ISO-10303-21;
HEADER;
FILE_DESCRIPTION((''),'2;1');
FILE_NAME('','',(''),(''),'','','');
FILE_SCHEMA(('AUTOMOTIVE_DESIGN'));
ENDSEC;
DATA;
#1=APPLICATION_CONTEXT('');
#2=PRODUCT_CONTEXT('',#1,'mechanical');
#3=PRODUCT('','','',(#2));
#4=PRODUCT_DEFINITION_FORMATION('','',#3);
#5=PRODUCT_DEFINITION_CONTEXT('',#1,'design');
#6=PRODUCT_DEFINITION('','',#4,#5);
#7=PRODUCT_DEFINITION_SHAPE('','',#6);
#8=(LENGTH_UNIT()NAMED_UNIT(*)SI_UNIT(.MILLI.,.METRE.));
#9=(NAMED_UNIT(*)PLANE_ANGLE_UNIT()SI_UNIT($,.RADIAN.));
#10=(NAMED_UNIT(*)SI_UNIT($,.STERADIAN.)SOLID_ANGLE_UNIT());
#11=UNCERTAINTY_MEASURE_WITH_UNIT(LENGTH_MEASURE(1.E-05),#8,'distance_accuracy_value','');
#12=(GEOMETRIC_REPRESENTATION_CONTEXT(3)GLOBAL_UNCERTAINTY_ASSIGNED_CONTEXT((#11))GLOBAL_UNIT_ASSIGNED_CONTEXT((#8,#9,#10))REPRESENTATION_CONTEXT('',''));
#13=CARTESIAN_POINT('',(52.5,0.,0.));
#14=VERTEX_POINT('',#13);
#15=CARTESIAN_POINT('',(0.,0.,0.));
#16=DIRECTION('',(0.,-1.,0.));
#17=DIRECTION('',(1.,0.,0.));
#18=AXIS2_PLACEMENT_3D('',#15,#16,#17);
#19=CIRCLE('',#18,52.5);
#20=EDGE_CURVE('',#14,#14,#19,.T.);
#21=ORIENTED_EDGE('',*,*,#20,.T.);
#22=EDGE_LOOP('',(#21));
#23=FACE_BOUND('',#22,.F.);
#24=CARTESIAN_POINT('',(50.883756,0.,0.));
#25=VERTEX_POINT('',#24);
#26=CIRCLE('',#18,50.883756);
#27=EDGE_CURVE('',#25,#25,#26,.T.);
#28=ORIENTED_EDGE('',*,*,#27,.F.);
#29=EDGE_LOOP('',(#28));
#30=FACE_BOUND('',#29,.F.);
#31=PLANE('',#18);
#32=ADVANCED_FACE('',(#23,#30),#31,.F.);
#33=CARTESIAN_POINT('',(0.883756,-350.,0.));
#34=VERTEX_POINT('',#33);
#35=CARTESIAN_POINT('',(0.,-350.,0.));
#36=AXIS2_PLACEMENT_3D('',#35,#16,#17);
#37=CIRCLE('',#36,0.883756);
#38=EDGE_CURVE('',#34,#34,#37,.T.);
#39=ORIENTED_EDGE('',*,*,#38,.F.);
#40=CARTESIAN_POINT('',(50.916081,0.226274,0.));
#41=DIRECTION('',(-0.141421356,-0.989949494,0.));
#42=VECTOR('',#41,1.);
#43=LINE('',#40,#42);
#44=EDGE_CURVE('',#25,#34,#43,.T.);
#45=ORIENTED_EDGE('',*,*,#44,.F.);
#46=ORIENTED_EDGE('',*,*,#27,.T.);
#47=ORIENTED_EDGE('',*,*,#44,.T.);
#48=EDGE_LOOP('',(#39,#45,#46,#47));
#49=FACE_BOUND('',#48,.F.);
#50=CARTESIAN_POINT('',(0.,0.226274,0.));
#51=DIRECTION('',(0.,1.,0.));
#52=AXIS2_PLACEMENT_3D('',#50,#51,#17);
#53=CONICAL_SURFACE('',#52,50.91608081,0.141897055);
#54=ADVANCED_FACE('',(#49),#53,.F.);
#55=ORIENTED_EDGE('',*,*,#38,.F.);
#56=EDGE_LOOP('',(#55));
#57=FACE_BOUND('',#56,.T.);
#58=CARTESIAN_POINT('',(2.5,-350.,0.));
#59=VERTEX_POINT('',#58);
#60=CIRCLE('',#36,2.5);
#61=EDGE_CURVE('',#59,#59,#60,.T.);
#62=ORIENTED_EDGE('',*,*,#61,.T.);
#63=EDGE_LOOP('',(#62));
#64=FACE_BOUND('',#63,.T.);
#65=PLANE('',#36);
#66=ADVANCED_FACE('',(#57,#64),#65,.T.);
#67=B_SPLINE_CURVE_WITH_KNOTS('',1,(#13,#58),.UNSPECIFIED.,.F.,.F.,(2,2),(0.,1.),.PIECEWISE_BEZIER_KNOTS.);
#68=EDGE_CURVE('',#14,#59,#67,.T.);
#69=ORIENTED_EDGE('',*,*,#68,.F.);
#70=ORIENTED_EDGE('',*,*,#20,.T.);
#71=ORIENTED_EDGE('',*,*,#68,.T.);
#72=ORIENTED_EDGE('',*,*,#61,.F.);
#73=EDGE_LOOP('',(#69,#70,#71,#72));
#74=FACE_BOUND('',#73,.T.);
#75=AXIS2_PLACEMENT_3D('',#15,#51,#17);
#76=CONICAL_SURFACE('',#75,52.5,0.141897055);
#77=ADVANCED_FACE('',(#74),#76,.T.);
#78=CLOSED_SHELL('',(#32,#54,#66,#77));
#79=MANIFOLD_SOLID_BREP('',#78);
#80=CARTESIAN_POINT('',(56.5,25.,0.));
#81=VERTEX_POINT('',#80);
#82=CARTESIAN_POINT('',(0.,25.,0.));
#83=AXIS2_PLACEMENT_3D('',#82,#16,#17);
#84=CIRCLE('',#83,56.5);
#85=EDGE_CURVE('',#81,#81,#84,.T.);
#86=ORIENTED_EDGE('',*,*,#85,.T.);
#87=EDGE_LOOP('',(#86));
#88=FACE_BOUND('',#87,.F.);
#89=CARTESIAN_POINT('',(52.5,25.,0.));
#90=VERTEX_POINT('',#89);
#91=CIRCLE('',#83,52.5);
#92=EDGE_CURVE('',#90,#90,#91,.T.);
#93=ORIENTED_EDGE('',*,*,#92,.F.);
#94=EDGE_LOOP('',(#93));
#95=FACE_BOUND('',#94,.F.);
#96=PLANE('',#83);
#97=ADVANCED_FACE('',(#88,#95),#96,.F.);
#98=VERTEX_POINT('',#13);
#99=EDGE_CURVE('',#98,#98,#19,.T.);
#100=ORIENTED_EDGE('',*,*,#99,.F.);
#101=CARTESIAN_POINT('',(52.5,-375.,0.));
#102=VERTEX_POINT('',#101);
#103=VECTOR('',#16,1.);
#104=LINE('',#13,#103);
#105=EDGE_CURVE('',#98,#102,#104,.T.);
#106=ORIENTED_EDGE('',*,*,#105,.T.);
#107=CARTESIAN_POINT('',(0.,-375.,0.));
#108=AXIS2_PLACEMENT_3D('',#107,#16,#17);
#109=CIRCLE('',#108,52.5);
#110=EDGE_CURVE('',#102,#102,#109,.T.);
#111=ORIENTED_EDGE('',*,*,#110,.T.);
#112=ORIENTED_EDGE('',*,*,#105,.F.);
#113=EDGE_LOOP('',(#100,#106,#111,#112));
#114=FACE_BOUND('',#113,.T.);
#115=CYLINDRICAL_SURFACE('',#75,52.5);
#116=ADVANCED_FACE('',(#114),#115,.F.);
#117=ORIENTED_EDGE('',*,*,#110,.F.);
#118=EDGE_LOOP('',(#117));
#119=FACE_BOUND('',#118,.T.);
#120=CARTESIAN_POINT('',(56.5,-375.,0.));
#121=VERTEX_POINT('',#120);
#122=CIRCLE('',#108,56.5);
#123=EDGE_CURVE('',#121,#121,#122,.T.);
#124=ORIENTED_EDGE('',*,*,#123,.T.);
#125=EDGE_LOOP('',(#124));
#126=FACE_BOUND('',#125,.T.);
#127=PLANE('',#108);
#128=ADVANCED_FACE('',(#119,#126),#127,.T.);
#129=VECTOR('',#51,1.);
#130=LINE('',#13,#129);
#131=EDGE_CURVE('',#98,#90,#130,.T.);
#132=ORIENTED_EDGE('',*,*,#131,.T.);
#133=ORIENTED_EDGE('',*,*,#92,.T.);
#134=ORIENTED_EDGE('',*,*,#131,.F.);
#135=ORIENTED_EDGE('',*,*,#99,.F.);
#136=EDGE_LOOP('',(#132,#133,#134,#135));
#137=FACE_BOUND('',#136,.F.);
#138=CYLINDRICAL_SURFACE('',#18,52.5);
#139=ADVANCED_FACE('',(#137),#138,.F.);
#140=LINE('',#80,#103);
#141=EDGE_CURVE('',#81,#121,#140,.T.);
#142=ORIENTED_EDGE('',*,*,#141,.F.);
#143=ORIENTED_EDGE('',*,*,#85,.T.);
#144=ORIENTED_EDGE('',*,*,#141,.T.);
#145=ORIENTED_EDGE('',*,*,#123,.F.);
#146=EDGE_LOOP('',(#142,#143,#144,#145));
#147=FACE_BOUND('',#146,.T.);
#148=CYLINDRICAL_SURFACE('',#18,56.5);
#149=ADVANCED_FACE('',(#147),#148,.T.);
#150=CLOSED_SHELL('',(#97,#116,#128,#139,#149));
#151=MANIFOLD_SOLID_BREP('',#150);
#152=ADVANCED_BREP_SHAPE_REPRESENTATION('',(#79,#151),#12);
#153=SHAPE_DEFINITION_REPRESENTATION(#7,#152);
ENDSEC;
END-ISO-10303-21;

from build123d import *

# Parameters (mm, degrees)
F0_R          = 52.5
F2_R          = 2.5
F4_T          = -1.6
F0_R_2        = 56.5
F5_DEPTH      = 375
F5_DEPTH_BACK = 25


with BuildPart() as f3:
    # F0 (on Front) → F3 section 0
    with BuildSketch(Plane.XZ):
        Circle(F0_R)
    # F2 (on offset) → F3 section 1
    with BuildSketch(Plane.XZ.offset(350)):
        Circle(F2_R)
    loft()

    # F4
    f4_openings = [f3.faces().sort_by_distance(p)[0] for p in [
        (0, 0, 0),
        (0, -350, 0),
    ]]
    offset(amount=F4_T, openings=f4_openings, kind=Kind.INTERSECTION)


with BuildPart() as f5:
    # F0 (on Front) → F5 (new body, two sides)
    with BuildSketch(Plane.XZ) as f5_sk:
        Circle(F0_R_2)
        Circle(F0_R, mode=Mode.SUBTRACT)
    extrude(amount=F5_DEPTH)
    extrude(f5_sk.sketch, amount=-F5_DEPTH_BACK)


solid = Compound([f3.part, f5.part])
